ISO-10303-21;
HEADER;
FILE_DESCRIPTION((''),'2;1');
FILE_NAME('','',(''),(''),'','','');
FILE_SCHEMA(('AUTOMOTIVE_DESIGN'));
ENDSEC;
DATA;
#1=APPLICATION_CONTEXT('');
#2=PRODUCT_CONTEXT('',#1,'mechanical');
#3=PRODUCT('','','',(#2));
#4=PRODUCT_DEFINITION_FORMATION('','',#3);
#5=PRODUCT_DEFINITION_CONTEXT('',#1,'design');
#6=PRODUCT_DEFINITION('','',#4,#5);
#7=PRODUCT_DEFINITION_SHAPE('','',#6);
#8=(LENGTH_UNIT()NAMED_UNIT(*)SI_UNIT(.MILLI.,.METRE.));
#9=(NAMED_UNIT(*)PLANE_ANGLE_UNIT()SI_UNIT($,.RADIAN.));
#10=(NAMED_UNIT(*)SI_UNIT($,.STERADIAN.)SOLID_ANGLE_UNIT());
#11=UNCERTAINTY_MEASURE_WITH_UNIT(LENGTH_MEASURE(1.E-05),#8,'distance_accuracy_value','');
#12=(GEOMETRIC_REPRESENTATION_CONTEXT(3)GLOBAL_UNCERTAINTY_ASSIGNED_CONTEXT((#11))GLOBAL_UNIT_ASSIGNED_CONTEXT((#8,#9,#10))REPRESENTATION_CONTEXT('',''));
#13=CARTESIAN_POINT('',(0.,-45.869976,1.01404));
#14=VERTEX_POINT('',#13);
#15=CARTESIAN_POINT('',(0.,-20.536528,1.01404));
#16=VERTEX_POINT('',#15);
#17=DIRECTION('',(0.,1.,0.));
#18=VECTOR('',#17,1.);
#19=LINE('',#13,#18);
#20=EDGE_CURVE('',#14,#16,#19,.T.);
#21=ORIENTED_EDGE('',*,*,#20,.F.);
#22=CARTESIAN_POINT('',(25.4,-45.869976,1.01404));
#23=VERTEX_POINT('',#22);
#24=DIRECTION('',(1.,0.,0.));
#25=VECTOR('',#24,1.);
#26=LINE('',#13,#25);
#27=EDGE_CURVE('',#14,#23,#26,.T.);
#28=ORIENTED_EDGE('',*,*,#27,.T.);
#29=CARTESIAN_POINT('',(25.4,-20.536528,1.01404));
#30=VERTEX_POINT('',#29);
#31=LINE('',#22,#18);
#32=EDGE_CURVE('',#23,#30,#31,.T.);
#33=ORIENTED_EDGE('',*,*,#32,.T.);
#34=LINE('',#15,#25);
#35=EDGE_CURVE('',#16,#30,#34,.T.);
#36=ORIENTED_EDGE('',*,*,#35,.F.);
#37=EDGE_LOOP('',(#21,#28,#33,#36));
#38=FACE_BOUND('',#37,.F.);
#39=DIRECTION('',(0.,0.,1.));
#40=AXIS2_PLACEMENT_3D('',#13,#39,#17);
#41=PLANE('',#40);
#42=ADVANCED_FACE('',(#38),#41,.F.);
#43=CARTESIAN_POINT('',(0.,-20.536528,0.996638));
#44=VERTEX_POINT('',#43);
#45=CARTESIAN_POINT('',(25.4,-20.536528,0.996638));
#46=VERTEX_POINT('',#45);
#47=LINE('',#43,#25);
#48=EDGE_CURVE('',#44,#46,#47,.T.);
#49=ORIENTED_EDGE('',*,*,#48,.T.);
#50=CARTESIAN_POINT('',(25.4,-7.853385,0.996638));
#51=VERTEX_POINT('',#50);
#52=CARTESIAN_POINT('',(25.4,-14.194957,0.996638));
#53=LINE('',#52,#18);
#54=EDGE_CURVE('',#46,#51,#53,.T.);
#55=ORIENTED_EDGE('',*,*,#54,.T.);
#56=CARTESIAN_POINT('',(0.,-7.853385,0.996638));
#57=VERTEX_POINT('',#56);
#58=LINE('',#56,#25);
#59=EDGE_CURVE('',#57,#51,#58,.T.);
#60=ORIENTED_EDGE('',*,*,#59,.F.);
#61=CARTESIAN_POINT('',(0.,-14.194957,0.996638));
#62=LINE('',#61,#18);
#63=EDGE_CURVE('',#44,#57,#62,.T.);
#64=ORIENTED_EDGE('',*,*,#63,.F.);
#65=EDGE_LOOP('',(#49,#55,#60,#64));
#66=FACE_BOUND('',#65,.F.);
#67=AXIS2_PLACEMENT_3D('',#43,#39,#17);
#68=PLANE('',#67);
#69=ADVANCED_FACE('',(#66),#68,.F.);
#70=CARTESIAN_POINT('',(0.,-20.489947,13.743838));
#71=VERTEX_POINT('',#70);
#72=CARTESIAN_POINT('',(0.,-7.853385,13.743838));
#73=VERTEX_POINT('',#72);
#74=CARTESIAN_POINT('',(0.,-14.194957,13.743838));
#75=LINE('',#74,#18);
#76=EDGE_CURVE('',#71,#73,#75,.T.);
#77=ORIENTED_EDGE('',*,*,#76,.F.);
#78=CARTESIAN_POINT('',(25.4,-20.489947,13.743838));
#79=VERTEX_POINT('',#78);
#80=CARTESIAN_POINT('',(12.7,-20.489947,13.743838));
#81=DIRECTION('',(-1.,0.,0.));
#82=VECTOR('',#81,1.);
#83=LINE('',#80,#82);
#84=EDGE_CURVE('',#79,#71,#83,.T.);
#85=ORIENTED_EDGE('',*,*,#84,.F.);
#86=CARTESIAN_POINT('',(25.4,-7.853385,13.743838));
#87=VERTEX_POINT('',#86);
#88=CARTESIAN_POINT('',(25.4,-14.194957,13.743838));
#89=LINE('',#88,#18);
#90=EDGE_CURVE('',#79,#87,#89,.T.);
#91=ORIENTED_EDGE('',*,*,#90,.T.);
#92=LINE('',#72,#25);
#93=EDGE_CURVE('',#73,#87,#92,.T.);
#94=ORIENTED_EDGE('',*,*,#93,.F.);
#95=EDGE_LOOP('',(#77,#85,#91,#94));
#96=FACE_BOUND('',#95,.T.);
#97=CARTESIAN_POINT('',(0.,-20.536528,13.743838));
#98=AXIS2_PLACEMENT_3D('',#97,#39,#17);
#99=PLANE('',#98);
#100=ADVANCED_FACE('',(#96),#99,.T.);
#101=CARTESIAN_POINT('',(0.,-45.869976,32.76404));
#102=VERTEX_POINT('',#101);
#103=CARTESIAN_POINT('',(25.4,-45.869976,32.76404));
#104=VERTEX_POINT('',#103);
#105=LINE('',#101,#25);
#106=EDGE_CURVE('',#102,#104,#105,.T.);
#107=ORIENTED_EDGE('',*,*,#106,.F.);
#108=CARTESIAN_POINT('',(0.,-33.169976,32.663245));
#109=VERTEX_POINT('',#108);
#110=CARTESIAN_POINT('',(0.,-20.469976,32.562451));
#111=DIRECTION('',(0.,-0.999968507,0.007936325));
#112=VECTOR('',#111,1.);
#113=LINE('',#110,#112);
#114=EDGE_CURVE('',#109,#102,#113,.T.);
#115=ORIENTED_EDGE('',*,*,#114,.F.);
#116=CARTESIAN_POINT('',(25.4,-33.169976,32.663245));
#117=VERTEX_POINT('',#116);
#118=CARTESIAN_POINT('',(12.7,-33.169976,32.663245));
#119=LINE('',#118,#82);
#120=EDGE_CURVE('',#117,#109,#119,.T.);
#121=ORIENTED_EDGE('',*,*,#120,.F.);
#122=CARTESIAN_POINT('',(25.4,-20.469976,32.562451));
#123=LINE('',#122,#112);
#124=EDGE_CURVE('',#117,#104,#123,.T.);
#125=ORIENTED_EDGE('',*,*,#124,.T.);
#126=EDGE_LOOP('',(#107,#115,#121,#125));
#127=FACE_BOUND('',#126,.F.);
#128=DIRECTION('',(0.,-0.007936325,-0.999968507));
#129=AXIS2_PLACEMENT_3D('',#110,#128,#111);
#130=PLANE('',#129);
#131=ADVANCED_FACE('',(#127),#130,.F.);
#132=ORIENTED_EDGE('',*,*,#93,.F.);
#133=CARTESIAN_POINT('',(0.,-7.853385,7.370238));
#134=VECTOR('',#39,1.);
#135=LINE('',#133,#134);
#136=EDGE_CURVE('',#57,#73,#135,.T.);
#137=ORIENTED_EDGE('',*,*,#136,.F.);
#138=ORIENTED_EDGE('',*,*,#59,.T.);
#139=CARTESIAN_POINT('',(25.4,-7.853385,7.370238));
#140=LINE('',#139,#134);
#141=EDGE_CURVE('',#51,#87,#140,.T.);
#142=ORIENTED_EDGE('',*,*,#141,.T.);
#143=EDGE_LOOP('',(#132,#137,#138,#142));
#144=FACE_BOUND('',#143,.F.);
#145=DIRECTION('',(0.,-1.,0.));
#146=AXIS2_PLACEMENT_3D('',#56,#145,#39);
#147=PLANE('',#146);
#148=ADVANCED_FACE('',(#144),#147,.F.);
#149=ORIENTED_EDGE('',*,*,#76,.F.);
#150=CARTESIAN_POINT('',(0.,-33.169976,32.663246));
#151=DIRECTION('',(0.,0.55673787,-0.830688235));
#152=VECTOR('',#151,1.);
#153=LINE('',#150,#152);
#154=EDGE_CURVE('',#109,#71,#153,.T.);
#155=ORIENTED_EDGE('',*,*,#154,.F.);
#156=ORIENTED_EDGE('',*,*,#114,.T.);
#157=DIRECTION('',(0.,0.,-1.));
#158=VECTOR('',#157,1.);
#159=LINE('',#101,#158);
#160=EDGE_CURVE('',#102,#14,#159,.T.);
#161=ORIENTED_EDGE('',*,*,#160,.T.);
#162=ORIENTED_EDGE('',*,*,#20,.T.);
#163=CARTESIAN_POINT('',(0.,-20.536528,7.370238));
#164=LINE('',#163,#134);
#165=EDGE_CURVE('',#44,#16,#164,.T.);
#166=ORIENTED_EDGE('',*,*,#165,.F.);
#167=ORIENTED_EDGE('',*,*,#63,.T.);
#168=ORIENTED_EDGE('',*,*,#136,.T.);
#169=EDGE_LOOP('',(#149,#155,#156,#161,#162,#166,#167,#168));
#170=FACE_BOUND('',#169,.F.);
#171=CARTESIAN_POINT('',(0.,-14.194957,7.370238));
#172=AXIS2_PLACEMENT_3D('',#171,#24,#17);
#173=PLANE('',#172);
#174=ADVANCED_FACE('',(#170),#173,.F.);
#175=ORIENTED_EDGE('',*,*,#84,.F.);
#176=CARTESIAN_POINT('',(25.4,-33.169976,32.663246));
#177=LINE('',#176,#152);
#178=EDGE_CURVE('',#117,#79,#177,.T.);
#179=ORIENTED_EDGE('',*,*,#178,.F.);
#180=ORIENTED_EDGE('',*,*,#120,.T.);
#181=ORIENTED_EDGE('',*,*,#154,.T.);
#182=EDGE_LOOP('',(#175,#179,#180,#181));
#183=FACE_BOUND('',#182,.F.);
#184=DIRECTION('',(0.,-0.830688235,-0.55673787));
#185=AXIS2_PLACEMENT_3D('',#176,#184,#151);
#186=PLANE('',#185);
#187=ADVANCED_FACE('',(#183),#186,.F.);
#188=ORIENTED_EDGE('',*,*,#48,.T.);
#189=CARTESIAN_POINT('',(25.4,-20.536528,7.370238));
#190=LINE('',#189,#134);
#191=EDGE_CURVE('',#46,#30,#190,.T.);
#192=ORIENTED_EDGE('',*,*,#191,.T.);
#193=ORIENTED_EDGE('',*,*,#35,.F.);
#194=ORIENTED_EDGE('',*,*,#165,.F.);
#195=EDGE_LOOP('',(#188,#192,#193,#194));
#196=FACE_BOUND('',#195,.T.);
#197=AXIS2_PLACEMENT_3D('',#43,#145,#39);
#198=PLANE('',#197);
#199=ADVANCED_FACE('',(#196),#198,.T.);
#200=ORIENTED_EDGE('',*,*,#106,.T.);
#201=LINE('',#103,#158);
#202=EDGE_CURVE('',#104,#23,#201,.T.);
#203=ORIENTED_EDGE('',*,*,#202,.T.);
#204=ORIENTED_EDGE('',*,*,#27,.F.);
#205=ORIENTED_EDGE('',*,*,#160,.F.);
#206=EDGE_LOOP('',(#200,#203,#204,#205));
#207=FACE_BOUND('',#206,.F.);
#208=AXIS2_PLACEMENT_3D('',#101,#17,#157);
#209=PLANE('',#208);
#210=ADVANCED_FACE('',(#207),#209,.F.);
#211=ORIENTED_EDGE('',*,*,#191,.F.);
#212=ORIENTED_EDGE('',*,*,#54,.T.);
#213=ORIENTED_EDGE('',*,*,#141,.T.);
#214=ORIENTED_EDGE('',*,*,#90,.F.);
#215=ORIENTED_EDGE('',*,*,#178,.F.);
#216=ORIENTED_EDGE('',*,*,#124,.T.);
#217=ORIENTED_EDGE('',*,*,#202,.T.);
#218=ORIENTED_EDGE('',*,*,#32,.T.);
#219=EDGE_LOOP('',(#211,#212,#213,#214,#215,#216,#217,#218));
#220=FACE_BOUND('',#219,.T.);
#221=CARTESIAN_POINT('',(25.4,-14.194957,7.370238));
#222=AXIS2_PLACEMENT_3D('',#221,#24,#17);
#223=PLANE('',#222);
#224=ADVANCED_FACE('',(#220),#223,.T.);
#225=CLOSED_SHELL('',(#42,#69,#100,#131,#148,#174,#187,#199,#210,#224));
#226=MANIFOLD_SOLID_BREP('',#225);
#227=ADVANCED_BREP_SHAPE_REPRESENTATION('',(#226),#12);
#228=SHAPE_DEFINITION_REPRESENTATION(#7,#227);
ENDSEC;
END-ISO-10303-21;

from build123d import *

# Parameters (mm, degrees)
F1_DEPTH = 25.4
F3_DEPTH = 25.4
F4_W     = 12.683143
F4_H     = 12.7472
F5_DEPTH = 25.4


with BuildPart() as f1:
    # F0 (on Right) → F1 (new body)
    with BuildSketch(Plane.YZ):
        Polygon((-20.469976, 32.562451), (-45.869976, 32.76404), (-45.869976, 1.01404), (-20.469976, 1.01404), align=None)
    extrude(amount=F1_DEPTH)

    # F2 (on face) → F3 (cut)
    with BuildSketch(Plane.YZ.offset(25.4)):
        Polygon((-20.469976, 32.562451), (-33.169976, 32.663246), (-20.469976, 13.71404), align=None)
    extrude(amount=-F3_DEPTH, mode=Mode.SUBTRACT)

    # F4 (on Right) → F5 (join)
    with BuildSketch(Plane.YZ):
        with Locations((-14.194957, 7.370238)):
            Rectangle(F4_W, F4_H)
    extrude(amount=F5_DEPTH)


solid = f1.part
